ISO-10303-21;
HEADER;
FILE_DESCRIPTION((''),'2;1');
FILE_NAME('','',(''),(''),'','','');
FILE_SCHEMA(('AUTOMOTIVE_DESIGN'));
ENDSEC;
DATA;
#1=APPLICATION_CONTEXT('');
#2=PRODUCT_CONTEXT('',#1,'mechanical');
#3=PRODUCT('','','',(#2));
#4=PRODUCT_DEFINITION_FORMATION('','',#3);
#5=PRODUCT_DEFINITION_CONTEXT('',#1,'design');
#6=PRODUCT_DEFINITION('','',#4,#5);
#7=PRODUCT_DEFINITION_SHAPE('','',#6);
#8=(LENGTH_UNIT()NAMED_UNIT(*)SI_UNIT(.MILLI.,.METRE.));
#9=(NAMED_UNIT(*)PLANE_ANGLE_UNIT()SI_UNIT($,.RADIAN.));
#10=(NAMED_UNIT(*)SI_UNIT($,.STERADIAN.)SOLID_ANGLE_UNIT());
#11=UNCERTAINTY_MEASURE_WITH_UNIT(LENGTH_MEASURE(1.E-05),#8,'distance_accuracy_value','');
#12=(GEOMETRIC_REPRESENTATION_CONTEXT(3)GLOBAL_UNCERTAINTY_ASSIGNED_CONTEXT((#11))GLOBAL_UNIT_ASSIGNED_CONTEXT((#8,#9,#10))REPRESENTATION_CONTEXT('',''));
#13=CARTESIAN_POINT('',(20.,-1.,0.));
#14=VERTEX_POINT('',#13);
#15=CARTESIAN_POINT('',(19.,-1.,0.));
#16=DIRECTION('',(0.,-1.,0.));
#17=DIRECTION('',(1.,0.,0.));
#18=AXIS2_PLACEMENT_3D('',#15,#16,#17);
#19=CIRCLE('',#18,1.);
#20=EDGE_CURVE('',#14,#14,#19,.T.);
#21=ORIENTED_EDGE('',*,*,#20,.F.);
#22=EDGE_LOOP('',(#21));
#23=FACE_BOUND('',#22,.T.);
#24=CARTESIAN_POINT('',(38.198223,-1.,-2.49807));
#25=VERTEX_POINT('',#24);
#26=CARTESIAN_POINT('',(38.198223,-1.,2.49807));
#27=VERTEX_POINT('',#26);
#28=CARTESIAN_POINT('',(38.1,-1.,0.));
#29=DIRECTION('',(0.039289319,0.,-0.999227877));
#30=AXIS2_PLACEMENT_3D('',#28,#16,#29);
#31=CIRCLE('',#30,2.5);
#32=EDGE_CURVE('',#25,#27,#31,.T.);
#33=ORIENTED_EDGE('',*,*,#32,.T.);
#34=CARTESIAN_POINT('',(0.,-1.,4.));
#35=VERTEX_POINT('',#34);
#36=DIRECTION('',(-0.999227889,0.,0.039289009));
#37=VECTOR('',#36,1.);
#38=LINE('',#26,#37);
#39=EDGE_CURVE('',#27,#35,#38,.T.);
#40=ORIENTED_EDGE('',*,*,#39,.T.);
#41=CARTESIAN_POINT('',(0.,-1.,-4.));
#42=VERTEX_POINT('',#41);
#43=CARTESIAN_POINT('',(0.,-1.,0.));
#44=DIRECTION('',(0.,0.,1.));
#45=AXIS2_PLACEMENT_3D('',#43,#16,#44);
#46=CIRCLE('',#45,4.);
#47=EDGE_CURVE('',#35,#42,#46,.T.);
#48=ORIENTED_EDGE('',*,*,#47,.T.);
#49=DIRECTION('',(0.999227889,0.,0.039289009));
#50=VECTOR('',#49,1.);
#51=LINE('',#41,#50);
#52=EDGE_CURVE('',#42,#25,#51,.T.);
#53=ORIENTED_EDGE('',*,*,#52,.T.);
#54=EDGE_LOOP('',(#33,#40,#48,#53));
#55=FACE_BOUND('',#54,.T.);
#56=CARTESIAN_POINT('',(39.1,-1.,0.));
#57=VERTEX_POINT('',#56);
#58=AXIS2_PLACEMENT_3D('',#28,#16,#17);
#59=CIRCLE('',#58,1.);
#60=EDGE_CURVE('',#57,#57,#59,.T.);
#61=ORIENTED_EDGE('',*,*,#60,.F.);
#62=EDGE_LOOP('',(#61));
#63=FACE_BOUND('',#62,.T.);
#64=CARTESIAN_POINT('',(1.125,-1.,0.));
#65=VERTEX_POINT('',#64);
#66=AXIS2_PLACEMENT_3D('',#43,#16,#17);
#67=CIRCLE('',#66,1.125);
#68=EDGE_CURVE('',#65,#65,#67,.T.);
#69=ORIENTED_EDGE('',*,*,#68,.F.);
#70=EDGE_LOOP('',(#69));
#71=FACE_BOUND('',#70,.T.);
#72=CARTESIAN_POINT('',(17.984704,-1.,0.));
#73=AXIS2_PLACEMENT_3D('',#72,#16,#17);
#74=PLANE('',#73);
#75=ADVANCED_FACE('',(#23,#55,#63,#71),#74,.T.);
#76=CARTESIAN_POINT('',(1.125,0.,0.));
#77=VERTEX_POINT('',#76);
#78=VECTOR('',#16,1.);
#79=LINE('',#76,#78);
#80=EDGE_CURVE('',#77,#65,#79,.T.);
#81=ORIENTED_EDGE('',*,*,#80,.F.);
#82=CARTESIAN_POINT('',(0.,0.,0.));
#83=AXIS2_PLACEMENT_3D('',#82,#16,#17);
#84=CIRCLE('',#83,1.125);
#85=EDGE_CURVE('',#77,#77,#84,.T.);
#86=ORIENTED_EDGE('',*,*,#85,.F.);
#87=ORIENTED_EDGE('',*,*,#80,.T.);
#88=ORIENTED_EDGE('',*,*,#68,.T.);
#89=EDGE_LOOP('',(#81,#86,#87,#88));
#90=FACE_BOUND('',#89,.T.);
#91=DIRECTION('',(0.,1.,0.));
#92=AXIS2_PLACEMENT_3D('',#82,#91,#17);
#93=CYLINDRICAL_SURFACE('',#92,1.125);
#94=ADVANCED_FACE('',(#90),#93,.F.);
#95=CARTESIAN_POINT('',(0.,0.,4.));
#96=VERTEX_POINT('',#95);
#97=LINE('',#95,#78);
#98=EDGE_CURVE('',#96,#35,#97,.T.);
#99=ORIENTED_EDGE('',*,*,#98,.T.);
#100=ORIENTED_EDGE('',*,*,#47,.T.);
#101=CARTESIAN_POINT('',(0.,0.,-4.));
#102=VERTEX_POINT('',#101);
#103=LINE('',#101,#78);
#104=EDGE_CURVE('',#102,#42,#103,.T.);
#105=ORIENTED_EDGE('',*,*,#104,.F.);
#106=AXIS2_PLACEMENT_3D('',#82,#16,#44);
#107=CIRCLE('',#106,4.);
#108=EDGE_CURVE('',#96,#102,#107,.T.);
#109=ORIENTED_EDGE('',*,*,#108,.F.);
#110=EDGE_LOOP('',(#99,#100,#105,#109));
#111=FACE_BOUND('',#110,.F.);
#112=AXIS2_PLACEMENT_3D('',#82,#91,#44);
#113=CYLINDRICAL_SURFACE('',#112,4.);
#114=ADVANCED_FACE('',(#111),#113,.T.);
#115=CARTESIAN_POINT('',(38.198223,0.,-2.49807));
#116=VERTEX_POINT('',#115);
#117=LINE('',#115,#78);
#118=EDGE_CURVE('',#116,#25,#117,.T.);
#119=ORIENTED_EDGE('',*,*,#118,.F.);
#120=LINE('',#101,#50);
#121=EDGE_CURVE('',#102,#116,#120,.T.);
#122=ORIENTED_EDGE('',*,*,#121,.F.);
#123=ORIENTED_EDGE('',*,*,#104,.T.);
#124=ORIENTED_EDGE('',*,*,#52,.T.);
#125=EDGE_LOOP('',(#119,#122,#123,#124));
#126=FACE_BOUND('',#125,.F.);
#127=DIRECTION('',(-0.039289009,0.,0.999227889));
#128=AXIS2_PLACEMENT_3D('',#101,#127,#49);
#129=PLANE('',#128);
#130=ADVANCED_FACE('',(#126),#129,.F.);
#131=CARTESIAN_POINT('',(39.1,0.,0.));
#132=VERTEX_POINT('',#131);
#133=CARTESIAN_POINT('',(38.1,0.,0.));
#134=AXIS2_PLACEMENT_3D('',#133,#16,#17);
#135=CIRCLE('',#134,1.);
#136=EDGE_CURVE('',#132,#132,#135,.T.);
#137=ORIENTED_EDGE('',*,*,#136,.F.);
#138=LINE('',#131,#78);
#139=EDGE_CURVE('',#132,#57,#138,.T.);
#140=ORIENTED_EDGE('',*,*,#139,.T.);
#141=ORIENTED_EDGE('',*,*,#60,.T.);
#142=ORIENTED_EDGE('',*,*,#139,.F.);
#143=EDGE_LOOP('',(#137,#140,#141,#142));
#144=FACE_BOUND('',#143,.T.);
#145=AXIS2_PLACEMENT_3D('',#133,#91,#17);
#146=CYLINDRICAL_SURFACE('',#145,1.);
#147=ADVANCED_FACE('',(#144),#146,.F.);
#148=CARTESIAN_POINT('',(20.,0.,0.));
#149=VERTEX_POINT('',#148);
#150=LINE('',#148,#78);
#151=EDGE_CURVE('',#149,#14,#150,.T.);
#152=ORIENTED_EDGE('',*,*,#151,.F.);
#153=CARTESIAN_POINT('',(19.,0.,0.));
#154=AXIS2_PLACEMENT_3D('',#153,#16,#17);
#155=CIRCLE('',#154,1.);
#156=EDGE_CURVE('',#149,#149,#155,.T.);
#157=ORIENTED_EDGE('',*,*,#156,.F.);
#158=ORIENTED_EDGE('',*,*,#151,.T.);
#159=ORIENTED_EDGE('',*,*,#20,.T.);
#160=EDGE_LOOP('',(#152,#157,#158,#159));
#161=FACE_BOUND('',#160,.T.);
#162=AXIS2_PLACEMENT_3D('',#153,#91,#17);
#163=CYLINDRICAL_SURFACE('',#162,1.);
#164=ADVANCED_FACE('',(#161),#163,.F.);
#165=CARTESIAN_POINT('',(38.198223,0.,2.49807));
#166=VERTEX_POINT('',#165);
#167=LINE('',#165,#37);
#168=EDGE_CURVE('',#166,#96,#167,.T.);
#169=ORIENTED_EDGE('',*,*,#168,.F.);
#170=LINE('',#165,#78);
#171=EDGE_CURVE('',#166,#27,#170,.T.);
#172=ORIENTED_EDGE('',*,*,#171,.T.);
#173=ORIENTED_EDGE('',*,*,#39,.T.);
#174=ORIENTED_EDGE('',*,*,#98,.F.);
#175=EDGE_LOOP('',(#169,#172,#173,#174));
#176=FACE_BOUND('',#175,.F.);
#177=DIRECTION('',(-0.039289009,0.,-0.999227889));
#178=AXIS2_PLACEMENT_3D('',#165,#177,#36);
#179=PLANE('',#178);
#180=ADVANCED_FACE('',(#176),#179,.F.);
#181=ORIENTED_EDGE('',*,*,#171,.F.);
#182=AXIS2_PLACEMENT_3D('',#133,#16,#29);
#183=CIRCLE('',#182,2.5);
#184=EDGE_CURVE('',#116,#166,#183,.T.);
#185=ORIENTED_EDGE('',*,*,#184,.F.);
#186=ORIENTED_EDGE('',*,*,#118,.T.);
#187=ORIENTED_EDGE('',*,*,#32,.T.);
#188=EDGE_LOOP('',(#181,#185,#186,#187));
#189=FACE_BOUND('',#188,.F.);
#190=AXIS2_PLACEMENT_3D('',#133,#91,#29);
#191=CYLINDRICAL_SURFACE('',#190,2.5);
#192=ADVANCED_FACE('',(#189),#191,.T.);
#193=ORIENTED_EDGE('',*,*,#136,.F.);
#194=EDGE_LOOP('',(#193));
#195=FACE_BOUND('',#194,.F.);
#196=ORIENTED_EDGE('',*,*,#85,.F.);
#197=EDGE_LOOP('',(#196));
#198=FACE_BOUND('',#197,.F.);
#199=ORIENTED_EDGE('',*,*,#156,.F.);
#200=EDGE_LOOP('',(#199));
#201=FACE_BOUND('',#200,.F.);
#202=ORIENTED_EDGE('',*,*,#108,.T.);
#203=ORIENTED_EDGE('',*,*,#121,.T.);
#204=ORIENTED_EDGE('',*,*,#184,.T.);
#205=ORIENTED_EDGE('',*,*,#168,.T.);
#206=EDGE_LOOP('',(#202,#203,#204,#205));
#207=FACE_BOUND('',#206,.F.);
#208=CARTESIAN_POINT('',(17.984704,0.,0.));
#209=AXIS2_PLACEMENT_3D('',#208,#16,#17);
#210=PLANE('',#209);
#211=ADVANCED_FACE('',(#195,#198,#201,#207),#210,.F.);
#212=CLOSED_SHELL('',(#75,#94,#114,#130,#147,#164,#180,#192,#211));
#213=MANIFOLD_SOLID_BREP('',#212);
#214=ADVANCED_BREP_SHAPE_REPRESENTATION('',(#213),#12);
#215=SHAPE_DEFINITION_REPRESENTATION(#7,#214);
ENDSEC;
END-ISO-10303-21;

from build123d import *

# Parameters (mm, degrees)
F0_R     = 1.125
F0_R_2   = 1
F1_DEPTH = 1


with BuildPart() as f1:
    # F0 (on Front) → F1 (new body)
    with BuildSketch(Plane.XZ):
        with BuildLine():
            Line((38.198223, 2.49807), (0, 4))
            ThreePointArc((0, 4), (-4, 0), (0, -4))
            Line((0, -4), (38.198223, -2.49807))
            ThreePointArc((38.198223, -2.49807), (40.6, 0), (38.198223, 2.49807))
        make_face()
        Circle(F0_R, mode=Mode.SUBTRACT)
        with Locations((19, 0)):
            Circle(F0_R_2, mode=Mode.SUBTRACT)
        with Locations((38.1, 0)):
            Circle(F0_R_2, mode=Mode.SUBTRACT)
    extrude(amount=F1_DEPTH)


solid = f1.part
